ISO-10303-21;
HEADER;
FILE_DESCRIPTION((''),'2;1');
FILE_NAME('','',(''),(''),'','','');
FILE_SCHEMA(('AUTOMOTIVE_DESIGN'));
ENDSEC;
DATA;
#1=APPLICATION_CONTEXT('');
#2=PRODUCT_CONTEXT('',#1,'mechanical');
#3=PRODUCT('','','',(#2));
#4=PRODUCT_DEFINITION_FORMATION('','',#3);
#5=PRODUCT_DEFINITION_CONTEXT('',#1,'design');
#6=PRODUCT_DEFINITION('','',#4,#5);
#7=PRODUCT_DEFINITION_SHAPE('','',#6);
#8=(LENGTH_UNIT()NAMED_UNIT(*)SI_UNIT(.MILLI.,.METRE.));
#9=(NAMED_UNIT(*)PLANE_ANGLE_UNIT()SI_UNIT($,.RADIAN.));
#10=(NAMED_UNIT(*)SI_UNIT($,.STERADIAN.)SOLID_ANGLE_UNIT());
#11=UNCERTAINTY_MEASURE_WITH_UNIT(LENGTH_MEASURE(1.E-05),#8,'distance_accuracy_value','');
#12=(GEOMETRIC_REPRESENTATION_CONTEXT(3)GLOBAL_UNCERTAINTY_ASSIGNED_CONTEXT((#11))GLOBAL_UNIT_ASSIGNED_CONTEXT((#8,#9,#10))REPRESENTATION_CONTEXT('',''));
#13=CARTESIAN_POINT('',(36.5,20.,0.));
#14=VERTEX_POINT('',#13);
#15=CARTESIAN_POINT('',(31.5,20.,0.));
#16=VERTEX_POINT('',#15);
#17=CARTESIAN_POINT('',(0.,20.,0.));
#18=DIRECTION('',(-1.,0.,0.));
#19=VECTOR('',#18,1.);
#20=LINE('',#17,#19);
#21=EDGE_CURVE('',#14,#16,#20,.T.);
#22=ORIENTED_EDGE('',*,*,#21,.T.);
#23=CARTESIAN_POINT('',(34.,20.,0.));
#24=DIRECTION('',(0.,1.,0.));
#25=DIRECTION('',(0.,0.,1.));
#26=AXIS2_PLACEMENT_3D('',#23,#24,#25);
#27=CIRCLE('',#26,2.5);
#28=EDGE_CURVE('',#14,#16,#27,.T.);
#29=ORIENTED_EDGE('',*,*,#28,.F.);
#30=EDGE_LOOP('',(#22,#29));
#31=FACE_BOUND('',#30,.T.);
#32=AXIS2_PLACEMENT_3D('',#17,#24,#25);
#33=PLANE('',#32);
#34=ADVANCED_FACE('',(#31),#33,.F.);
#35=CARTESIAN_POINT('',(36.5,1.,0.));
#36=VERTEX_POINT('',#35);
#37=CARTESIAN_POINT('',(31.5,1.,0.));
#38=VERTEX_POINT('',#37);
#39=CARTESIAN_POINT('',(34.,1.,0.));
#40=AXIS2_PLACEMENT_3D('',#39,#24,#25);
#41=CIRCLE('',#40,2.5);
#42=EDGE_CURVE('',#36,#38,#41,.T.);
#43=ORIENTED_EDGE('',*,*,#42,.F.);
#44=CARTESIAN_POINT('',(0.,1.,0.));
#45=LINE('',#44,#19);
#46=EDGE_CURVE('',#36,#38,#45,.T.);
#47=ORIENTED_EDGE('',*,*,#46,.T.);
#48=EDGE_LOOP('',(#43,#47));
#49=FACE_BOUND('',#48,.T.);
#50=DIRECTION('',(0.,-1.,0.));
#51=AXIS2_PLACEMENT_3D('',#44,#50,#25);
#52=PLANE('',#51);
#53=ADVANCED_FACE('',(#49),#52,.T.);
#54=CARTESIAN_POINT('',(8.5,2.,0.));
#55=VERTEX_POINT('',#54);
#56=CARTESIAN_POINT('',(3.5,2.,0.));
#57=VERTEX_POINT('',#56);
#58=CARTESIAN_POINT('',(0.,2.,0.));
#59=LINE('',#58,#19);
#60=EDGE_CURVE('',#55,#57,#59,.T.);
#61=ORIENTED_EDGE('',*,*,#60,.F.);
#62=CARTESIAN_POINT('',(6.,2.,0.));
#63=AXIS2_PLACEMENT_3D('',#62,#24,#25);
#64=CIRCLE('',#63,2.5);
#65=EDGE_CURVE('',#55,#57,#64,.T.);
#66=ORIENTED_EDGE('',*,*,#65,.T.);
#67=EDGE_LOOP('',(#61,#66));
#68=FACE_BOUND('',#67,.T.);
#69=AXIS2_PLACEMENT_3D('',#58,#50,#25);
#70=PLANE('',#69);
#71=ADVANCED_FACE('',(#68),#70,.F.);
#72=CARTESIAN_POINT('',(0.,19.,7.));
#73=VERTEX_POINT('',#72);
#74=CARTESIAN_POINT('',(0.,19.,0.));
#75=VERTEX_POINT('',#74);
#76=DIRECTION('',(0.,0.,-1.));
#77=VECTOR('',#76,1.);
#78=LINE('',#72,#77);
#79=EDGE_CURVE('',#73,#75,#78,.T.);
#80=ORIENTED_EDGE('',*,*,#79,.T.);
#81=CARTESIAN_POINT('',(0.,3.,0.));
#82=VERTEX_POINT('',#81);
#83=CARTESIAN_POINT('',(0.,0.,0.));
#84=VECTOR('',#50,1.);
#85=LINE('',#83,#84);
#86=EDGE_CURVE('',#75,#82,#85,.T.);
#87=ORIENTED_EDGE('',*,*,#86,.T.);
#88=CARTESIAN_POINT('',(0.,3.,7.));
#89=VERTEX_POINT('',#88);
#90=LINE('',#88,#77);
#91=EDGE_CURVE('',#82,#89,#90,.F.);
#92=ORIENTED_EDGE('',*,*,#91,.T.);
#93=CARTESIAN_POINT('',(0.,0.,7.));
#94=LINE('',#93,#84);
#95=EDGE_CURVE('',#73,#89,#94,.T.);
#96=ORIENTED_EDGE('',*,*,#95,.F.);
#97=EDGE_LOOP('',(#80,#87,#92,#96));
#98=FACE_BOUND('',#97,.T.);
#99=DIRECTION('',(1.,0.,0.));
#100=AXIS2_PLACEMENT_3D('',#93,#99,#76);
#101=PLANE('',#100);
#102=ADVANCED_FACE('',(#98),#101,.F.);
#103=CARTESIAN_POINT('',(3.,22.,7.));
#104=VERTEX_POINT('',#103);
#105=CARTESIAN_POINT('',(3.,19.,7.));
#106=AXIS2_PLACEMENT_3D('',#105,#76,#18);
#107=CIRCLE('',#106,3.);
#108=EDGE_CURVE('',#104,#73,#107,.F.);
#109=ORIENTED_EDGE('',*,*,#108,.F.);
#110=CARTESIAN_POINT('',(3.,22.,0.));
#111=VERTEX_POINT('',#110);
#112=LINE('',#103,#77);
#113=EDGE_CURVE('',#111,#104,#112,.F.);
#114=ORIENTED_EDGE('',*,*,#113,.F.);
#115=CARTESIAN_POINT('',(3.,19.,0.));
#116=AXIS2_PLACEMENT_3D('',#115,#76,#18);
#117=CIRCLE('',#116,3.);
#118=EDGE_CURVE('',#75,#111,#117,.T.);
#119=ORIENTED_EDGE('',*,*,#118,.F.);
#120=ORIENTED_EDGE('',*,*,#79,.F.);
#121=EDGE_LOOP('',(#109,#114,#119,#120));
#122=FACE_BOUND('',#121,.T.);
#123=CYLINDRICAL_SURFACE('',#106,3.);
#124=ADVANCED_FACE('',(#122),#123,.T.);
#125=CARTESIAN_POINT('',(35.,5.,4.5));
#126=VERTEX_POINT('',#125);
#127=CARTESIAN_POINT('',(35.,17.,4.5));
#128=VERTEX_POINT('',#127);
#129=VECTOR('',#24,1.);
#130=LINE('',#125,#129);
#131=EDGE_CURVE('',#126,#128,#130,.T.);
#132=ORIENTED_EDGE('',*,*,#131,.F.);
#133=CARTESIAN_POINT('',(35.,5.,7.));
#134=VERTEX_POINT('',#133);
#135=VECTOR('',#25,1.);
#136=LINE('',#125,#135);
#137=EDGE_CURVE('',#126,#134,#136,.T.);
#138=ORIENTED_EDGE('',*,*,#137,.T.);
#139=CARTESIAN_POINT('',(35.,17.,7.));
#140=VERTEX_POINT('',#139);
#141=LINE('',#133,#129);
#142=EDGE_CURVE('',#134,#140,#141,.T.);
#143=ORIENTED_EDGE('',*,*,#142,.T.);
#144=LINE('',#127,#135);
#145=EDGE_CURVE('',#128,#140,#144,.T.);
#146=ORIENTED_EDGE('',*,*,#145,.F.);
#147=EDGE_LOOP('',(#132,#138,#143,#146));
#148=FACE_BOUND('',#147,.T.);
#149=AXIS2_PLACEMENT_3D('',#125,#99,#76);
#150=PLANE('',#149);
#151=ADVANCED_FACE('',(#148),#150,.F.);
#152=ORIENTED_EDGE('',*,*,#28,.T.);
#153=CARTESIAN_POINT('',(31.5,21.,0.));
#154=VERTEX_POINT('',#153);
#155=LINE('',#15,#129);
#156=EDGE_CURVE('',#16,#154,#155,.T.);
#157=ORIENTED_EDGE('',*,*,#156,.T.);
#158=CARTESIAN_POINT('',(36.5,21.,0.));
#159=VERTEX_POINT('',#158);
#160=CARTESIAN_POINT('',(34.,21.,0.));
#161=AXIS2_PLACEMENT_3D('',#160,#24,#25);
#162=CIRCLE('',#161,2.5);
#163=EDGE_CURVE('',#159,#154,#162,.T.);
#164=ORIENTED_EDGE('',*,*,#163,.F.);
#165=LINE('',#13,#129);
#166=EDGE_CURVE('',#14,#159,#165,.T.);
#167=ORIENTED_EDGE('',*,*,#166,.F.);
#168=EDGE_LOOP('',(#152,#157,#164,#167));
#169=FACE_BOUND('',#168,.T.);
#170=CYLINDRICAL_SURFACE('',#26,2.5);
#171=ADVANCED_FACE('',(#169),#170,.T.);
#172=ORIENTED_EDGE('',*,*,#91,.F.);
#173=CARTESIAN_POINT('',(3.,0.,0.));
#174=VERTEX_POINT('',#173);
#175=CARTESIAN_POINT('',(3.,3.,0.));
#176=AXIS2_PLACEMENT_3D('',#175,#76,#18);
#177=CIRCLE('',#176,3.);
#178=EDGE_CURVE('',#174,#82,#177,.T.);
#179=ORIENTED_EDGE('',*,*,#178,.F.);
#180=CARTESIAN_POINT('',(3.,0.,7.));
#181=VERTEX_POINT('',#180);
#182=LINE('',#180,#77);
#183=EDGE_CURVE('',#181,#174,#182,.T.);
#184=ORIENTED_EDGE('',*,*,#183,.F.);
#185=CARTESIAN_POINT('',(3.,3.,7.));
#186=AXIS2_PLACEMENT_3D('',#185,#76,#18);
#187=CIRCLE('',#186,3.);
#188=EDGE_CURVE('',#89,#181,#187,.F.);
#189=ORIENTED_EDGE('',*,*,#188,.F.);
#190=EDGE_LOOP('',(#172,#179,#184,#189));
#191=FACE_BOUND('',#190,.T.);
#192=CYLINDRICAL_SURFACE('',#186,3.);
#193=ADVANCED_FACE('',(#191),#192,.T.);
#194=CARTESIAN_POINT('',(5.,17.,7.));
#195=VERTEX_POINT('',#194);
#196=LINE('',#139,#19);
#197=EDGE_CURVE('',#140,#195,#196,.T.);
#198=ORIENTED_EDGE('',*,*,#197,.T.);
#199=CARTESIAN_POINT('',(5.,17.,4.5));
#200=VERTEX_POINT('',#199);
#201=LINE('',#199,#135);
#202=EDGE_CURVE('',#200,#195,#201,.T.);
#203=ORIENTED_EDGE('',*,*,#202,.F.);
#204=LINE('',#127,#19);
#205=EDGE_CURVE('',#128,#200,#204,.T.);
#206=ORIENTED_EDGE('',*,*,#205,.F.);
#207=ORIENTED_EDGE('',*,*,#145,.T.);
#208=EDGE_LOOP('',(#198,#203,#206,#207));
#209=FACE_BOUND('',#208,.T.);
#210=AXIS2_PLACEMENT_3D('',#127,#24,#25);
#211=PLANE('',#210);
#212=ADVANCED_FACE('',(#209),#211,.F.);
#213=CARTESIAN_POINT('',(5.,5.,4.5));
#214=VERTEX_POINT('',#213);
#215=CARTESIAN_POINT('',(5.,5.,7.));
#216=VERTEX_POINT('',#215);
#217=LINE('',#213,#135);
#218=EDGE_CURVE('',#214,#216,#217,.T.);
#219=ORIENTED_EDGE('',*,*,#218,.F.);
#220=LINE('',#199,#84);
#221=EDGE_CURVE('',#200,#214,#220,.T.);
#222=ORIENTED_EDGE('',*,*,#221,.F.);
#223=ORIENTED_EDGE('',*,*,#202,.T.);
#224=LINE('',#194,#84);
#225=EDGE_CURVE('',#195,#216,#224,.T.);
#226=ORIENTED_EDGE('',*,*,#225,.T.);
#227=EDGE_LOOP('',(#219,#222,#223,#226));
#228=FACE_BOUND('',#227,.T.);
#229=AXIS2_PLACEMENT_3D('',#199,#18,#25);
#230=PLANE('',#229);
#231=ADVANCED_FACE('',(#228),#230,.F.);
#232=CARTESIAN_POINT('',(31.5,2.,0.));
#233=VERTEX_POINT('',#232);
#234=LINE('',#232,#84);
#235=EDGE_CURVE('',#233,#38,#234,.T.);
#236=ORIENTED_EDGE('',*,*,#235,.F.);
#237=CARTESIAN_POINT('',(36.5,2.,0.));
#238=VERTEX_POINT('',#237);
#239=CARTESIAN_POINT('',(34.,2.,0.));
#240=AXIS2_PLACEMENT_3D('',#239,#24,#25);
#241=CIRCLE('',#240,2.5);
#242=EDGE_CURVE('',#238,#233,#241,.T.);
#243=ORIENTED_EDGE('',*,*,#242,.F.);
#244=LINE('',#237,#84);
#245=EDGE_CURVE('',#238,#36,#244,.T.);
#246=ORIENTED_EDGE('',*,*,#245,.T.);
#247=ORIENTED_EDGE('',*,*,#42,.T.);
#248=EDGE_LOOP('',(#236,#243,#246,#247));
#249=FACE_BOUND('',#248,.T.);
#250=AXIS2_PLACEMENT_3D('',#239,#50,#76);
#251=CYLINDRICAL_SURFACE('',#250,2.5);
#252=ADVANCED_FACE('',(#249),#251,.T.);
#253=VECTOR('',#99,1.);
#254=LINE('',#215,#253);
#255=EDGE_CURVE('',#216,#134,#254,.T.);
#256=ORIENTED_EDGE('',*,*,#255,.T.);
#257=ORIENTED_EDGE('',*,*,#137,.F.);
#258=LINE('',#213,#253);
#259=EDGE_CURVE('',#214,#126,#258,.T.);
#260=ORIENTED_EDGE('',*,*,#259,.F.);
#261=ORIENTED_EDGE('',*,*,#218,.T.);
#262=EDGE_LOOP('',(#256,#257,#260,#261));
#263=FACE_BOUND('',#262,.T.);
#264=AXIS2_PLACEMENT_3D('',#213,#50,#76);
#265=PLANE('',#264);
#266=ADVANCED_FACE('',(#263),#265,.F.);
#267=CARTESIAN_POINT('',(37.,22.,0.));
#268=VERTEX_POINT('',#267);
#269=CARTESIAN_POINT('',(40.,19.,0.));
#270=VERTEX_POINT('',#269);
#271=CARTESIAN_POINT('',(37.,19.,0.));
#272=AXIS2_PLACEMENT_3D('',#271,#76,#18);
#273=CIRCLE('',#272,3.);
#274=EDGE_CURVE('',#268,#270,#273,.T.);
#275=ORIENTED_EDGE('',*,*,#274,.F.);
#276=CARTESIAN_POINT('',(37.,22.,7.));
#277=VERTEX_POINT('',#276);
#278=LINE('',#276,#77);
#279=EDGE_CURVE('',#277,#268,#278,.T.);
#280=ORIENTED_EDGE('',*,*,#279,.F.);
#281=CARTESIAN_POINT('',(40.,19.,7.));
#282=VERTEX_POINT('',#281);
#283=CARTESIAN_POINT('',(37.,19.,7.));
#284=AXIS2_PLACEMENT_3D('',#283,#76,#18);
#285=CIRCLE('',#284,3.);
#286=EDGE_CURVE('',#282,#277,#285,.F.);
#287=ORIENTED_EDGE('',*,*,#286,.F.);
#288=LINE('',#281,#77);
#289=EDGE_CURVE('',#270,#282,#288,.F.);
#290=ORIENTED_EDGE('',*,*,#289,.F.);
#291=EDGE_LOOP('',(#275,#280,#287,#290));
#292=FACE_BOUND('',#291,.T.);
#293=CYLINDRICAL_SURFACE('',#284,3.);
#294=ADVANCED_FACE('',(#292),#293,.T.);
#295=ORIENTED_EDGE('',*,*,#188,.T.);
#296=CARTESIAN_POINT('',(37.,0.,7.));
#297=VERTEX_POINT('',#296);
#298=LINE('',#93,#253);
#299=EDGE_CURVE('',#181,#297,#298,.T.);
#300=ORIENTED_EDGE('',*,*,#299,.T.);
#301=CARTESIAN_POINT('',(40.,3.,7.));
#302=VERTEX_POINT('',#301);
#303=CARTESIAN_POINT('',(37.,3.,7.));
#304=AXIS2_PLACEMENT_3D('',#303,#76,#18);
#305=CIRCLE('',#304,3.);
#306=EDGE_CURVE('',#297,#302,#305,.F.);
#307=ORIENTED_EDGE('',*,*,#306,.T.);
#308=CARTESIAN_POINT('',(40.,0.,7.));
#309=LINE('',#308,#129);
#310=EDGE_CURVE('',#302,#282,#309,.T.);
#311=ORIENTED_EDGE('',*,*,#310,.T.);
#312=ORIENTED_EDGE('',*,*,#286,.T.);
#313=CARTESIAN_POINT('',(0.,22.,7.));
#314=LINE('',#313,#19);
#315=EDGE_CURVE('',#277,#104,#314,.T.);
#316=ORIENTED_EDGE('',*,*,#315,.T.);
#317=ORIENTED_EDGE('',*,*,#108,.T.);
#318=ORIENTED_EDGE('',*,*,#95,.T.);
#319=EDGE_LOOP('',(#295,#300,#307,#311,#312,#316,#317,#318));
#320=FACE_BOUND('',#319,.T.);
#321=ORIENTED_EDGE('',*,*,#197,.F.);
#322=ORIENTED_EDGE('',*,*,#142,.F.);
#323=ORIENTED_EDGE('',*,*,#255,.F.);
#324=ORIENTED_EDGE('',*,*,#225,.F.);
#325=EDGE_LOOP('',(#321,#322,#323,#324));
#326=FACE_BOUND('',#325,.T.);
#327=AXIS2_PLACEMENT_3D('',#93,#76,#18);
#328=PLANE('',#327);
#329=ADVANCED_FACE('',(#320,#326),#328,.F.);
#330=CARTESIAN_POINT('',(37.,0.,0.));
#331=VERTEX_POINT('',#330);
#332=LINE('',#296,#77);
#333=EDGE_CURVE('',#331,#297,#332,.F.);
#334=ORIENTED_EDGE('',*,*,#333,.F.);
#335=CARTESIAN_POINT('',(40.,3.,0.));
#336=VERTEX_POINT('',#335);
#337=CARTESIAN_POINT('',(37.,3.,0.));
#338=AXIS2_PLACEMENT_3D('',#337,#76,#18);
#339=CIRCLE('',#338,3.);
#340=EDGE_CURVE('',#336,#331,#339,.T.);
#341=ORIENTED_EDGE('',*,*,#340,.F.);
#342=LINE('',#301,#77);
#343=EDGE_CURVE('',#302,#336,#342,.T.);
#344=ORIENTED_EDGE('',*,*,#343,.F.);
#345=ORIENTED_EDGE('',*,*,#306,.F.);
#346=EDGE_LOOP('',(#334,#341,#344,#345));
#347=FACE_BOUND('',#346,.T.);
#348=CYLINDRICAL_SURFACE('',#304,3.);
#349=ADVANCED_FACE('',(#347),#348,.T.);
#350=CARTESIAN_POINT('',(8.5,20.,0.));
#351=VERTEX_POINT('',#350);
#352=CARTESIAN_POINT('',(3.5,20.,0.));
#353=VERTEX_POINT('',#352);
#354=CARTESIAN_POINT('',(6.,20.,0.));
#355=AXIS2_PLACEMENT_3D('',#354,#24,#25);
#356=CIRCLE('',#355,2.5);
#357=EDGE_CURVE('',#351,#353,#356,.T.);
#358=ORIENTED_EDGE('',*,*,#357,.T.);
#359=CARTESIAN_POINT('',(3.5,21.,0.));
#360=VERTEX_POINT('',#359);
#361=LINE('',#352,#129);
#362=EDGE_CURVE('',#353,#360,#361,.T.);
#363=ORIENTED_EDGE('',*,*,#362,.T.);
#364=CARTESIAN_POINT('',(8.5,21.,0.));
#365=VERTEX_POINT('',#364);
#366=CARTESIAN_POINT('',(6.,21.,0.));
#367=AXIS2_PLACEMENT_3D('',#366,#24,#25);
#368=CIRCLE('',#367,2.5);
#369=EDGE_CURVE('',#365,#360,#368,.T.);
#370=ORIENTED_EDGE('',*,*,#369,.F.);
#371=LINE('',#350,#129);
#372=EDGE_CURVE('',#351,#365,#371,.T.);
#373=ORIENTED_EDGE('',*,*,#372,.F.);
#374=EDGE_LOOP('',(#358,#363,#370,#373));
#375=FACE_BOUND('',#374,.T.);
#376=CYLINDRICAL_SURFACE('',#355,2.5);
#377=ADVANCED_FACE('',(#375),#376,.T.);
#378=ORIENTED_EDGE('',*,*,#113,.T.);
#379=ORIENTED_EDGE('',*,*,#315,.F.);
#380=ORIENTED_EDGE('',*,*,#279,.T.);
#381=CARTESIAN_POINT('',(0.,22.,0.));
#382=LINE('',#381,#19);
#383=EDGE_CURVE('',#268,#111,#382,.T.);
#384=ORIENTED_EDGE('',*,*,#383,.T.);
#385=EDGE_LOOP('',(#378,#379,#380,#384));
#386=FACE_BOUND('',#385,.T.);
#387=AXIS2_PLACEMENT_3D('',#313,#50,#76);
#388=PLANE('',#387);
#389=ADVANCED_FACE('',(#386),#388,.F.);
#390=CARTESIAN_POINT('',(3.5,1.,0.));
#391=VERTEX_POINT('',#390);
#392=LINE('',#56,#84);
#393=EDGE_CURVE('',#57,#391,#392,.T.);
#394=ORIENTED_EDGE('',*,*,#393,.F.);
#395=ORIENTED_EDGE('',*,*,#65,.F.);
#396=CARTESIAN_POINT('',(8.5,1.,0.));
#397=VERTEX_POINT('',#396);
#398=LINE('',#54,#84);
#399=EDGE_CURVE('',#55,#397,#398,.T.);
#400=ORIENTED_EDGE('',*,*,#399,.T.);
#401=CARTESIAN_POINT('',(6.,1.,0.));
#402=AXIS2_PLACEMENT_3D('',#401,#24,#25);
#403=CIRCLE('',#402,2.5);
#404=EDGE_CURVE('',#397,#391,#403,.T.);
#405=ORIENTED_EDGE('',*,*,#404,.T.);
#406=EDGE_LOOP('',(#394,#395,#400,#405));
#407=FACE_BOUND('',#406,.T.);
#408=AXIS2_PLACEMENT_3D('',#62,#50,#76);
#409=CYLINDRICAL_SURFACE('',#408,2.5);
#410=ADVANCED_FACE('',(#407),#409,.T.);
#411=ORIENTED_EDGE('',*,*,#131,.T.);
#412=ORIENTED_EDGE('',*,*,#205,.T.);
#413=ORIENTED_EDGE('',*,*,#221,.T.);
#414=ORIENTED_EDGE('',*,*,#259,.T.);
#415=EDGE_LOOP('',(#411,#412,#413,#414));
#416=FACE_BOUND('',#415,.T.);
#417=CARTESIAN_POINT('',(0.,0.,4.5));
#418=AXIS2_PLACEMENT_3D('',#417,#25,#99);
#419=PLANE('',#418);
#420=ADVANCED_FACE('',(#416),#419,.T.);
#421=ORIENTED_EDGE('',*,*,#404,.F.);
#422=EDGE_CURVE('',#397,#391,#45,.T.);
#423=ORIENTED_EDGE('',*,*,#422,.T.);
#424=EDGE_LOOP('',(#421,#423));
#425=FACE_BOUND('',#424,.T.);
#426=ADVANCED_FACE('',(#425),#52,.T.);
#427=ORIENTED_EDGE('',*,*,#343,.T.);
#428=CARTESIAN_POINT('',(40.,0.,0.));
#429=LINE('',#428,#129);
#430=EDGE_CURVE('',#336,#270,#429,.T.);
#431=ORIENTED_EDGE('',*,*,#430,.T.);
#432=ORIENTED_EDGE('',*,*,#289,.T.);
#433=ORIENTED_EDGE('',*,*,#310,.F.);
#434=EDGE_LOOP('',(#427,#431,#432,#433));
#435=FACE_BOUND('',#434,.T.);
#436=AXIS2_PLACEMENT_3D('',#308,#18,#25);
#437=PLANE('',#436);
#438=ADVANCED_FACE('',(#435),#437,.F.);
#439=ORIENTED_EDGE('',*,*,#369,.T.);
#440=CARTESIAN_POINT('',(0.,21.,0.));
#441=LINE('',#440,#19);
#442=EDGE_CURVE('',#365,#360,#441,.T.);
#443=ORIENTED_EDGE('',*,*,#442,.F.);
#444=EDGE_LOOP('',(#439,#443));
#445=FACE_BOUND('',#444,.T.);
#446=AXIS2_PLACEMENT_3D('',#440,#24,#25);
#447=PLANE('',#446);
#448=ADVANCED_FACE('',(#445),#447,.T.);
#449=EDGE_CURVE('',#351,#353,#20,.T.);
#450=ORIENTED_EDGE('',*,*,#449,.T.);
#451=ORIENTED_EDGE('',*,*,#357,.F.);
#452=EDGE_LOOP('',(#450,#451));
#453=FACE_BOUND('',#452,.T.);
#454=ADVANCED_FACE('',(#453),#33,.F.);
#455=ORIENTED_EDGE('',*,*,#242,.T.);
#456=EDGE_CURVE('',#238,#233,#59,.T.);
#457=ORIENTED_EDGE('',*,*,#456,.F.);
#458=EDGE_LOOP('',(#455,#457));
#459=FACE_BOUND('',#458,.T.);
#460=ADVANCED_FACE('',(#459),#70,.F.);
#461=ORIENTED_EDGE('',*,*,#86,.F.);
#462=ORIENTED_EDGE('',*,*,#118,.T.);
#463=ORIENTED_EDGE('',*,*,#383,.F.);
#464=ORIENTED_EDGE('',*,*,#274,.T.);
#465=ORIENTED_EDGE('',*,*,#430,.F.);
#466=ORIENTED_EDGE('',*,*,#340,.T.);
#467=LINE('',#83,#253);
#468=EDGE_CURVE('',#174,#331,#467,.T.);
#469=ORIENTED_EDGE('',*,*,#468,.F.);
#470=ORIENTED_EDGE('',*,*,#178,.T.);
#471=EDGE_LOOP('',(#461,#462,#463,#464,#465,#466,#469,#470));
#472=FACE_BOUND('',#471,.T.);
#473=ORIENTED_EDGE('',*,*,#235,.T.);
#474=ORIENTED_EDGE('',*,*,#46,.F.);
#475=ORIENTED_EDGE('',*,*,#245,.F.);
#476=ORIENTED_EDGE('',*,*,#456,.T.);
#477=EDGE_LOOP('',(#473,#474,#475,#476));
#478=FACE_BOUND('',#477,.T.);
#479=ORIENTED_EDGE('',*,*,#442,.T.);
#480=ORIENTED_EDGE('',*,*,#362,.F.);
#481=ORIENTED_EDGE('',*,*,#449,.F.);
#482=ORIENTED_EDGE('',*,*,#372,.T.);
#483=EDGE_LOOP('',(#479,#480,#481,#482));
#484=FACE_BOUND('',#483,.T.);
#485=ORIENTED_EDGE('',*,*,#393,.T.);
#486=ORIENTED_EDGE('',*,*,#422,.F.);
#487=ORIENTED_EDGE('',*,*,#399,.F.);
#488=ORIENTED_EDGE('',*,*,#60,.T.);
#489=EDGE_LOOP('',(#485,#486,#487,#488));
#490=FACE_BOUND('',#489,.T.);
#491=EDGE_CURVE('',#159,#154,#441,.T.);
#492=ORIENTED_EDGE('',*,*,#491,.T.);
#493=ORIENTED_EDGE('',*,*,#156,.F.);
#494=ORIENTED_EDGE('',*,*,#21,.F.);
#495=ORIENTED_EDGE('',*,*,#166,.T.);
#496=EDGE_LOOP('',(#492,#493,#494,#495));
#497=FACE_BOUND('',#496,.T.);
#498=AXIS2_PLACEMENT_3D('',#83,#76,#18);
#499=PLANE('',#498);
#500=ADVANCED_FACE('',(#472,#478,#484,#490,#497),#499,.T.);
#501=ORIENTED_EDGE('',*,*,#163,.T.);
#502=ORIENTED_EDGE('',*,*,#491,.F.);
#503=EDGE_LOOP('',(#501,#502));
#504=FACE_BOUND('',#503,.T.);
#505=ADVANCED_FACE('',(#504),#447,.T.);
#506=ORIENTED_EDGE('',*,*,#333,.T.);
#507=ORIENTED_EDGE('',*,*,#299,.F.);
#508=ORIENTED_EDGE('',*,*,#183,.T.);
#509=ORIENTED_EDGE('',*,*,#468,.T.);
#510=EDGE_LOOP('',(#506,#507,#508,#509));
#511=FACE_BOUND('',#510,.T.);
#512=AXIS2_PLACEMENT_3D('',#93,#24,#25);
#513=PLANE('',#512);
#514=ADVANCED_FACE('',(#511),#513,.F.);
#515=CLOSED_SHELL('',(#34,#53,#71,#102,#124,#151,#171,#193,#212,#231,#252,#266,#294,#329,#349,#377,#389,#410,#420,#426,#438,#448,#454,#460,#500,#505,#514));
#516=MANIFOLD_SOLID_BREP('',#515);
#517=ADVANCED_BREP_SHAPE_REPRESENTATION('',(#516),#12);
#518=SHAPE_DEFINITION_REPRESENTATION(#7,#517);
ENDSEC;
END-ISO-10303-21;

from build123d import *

# Parameters (mm, degrees)
SKETCH1_W           = 40
SKETCH1_H           = 22
BOSS_EXTRUDE1_DEPTH = 7
FILLET1_R           = 3
SKETCH3_W           = 30
SKETCH3_H           = 12
CUT_EXTRUDE1_DEPTH  = 2.5
BOSS_EXTRUDE2_DEPTH = 1


with BuildPart() as part:
    # Sketch1 → Boss-Extrude1 (new body)
    with BuildSketch(Plane.XY):
        with Locations((20, 11)):
            Rectangle(SKETCH1_W, SKETCH1_H)
    extrude(amount=BOSS_EXTRUDE1_DEPTH)

    # Fillet1
    fillet1_edges = [part.edges().sort_by_distance(p)[0] for p in [
        (0, 22, 3.5),
        (40, 22, 3.5),
        (40, 0, 3.5),
        (0, 0, 3.5),
    ]]
    fillet(fillet1_edges, radius=FILLET1_R)

    # Sketch3 → Cut-Extrude1 (cut)
    with BuildSketch(Plane.XY.offset(7)):
        with Locations((20, 11)):
            Rectangle(SKETCH3_W, SKETCH3_H)
    extrude(amount=-CUT_EXTRUDE1_DEPTH, mode=Mode.SUBTRACT)

    # Sketch4 → Boss-Extrude2 (add)
    with BuildSketch(Plane(origin=(0, 21, 0), x_dir=(1, 0, 0), z_dir=(0, 1, 0))):
        with BuildLine():
            ThreePointArc((31.5, 0), (34, -2.5), (36.5, 0))
            Line((36.5, 0), (31.5, 0))
        make_face()
        with BuildLine():
            Line((31.5, 0), (36.5, 0))
            ThreePointArc((36.5, 0), (34, 2.5), (31.5, 0))
        make_face()
        with BuildLine():
            ThreePointArc((3.5, 0), (6, -2.5), (8.5, 0))
            Line((8.5, 0), (3.5, 0))
        make_face()
        with BuildLine():
            Line((3.5, 0), (8.5, 0))
            ThreePointArc((8.5, 0), (6, 2.5), (3.5, 0))
        make_face()
    boss_extrude2 = extrude(amount=-BOSS_EXTRUDE2_DEPTH)

    # Mirror1: Boss-Extrude2 across plane
    add(boss_extrude2.mirror(Plane(origin=(0, 11, 0), x_dir=(0, 0, 1), z_dir=(0, -1, 0))))


solid = part.part
